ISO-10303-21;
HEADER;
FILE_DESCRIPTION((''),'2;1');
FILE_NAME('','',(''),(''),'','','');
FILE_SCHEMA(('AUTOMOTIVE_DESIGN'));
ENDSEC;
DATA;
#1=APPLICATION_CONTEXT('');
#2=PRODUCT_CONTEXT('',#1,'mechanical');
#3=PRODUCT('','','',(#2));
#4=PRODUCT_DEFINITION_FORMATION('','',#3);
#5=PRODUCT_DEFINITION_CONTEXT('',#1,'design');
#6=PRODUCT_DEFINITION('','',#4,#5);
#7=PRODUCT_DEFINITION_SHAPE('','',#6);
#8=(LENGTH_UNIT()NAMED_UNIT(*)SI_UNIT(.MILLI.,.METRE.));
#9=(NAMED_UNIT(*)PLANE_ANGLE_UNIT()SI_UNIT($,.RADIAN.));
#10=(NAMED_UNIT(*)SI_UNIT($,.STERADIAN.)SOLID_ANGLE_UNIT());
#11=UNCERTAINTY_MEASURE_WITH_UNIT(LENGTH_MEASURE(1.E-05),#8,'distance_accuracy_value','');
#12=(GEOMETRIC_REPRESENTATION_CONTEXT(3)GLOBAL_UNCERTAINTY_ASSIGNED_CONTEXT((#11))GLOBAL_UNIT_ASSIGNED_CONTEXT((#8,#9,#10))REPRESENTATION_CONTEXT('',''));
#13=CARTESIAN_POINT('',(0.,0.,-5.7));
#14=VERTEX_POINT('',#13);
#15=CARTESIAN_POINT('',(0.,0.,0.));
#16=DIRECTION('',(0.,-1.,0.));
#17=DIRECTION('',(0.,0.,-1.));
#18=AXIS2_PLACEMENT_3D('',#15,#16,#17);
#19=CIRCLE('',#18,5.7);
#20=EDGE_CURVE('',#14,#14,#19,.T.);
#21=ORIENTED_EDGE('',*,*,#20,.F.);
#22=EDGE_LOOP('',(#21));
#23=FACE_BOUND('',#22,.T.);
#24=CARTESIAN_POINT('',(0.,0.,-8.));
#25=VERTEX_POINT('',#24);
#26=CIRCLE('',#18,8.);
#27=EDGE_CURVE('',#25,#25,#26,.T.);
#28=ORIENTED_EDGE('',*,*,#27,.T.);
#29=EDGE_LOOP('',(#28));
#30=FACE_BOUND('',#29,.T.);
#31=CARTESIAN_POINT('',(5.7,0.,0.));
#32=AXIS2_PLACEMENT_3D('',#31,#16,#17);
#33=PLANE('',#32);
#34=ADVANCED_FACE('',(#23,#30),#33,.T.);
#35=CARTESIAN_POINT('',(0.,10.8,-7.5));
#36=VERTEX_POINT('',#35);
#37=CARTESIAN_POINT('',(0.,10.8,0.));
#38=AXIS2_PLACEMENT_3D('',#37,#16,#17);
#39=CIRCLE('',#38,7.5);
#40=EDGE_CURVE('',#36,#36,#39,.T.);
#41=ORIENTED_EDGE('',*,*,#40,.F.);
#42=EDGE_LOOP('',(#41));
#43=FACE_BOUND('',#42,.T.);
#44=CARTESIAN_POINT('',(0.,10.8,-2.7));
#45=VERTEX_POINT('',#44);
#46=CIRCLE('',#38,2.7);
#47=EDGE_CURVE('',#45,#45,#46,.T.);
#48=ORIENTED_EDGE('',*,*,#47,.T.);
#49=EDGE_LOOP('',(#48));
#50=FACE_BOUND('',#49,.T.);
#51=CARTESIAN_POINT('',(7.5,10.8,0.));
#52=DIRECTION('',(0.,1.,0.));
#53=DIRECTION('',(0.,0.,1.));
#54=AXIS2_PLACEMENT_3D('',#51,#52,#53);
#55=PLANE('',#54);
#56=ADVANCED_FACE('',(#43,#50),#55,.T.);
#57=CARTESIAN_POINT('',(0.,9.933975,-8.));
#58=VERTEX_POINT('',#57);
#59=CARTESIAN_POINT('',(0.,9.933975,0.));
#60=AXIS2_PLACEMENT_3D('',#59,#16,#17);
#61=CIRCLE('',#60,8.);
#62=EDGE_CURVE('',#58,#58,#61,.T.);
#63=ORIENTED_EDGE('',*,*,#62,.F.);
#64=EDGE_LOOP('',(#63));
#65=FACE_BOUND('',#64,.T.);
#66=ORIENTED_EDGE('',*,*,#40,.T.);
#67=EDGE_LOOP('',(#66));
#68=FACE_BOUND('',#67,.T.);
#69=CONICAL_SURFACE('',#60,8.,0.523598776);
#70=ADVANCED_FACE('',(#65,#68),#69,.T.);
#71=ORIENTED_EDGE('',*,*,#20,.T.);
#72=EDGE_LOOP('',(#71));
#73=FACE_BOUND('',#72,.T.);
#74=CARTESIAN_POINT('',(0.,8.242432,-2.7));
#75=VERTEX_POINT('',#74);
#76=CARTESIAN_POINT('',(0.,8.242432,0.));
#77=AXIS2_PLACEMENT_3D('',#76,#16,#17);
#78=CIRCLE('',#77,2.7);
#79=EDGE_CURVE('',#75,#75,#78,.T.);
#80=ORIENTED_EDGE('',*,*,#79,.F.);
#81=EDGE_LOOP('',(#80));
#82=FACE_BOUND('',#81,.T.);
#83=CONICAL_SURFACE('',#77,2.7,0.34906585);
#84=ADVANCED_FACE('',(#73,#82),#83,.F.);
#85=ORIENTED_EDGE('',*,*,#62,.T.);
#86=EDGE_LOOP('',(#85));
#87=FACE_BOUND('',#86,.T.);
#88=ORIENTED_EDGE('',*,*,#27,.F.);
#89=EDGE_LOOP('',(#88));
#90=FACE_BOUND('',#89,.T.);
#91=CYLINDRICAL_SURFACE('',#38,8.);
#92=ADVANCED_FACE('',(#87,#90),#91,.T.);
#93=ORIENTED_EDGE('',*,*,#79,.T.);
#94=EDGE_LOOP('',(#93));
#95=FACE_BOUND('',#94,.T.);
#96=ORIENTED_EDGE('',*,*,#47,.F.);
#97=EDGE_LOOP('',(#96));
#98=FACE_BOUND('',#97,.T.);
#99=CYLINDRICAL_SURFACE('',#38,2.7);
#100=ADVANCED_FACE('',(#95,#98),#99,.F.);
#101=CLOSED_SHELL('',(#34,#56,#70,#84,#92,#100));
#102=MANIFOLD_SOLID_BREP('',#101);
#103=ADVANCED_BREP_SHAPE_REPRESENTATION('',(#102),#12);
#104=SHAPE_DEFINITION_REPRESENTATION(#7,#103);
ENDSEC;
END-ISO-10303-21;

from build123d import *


with BuildPart() as part:
    # Sketch1 → Revolve1 (revolve)
    with BuildSketch(Plane.XY):
        Polygon((7.5, 10.8), (2.7, 10.8), (2.7, 8.242432258), (5.7, 0), (8, 0), (8, 9.933974596), align=None)
    revolve(axis=Axis((0, 10.8, 0), (0, -1, 0)))


solid = part.part
